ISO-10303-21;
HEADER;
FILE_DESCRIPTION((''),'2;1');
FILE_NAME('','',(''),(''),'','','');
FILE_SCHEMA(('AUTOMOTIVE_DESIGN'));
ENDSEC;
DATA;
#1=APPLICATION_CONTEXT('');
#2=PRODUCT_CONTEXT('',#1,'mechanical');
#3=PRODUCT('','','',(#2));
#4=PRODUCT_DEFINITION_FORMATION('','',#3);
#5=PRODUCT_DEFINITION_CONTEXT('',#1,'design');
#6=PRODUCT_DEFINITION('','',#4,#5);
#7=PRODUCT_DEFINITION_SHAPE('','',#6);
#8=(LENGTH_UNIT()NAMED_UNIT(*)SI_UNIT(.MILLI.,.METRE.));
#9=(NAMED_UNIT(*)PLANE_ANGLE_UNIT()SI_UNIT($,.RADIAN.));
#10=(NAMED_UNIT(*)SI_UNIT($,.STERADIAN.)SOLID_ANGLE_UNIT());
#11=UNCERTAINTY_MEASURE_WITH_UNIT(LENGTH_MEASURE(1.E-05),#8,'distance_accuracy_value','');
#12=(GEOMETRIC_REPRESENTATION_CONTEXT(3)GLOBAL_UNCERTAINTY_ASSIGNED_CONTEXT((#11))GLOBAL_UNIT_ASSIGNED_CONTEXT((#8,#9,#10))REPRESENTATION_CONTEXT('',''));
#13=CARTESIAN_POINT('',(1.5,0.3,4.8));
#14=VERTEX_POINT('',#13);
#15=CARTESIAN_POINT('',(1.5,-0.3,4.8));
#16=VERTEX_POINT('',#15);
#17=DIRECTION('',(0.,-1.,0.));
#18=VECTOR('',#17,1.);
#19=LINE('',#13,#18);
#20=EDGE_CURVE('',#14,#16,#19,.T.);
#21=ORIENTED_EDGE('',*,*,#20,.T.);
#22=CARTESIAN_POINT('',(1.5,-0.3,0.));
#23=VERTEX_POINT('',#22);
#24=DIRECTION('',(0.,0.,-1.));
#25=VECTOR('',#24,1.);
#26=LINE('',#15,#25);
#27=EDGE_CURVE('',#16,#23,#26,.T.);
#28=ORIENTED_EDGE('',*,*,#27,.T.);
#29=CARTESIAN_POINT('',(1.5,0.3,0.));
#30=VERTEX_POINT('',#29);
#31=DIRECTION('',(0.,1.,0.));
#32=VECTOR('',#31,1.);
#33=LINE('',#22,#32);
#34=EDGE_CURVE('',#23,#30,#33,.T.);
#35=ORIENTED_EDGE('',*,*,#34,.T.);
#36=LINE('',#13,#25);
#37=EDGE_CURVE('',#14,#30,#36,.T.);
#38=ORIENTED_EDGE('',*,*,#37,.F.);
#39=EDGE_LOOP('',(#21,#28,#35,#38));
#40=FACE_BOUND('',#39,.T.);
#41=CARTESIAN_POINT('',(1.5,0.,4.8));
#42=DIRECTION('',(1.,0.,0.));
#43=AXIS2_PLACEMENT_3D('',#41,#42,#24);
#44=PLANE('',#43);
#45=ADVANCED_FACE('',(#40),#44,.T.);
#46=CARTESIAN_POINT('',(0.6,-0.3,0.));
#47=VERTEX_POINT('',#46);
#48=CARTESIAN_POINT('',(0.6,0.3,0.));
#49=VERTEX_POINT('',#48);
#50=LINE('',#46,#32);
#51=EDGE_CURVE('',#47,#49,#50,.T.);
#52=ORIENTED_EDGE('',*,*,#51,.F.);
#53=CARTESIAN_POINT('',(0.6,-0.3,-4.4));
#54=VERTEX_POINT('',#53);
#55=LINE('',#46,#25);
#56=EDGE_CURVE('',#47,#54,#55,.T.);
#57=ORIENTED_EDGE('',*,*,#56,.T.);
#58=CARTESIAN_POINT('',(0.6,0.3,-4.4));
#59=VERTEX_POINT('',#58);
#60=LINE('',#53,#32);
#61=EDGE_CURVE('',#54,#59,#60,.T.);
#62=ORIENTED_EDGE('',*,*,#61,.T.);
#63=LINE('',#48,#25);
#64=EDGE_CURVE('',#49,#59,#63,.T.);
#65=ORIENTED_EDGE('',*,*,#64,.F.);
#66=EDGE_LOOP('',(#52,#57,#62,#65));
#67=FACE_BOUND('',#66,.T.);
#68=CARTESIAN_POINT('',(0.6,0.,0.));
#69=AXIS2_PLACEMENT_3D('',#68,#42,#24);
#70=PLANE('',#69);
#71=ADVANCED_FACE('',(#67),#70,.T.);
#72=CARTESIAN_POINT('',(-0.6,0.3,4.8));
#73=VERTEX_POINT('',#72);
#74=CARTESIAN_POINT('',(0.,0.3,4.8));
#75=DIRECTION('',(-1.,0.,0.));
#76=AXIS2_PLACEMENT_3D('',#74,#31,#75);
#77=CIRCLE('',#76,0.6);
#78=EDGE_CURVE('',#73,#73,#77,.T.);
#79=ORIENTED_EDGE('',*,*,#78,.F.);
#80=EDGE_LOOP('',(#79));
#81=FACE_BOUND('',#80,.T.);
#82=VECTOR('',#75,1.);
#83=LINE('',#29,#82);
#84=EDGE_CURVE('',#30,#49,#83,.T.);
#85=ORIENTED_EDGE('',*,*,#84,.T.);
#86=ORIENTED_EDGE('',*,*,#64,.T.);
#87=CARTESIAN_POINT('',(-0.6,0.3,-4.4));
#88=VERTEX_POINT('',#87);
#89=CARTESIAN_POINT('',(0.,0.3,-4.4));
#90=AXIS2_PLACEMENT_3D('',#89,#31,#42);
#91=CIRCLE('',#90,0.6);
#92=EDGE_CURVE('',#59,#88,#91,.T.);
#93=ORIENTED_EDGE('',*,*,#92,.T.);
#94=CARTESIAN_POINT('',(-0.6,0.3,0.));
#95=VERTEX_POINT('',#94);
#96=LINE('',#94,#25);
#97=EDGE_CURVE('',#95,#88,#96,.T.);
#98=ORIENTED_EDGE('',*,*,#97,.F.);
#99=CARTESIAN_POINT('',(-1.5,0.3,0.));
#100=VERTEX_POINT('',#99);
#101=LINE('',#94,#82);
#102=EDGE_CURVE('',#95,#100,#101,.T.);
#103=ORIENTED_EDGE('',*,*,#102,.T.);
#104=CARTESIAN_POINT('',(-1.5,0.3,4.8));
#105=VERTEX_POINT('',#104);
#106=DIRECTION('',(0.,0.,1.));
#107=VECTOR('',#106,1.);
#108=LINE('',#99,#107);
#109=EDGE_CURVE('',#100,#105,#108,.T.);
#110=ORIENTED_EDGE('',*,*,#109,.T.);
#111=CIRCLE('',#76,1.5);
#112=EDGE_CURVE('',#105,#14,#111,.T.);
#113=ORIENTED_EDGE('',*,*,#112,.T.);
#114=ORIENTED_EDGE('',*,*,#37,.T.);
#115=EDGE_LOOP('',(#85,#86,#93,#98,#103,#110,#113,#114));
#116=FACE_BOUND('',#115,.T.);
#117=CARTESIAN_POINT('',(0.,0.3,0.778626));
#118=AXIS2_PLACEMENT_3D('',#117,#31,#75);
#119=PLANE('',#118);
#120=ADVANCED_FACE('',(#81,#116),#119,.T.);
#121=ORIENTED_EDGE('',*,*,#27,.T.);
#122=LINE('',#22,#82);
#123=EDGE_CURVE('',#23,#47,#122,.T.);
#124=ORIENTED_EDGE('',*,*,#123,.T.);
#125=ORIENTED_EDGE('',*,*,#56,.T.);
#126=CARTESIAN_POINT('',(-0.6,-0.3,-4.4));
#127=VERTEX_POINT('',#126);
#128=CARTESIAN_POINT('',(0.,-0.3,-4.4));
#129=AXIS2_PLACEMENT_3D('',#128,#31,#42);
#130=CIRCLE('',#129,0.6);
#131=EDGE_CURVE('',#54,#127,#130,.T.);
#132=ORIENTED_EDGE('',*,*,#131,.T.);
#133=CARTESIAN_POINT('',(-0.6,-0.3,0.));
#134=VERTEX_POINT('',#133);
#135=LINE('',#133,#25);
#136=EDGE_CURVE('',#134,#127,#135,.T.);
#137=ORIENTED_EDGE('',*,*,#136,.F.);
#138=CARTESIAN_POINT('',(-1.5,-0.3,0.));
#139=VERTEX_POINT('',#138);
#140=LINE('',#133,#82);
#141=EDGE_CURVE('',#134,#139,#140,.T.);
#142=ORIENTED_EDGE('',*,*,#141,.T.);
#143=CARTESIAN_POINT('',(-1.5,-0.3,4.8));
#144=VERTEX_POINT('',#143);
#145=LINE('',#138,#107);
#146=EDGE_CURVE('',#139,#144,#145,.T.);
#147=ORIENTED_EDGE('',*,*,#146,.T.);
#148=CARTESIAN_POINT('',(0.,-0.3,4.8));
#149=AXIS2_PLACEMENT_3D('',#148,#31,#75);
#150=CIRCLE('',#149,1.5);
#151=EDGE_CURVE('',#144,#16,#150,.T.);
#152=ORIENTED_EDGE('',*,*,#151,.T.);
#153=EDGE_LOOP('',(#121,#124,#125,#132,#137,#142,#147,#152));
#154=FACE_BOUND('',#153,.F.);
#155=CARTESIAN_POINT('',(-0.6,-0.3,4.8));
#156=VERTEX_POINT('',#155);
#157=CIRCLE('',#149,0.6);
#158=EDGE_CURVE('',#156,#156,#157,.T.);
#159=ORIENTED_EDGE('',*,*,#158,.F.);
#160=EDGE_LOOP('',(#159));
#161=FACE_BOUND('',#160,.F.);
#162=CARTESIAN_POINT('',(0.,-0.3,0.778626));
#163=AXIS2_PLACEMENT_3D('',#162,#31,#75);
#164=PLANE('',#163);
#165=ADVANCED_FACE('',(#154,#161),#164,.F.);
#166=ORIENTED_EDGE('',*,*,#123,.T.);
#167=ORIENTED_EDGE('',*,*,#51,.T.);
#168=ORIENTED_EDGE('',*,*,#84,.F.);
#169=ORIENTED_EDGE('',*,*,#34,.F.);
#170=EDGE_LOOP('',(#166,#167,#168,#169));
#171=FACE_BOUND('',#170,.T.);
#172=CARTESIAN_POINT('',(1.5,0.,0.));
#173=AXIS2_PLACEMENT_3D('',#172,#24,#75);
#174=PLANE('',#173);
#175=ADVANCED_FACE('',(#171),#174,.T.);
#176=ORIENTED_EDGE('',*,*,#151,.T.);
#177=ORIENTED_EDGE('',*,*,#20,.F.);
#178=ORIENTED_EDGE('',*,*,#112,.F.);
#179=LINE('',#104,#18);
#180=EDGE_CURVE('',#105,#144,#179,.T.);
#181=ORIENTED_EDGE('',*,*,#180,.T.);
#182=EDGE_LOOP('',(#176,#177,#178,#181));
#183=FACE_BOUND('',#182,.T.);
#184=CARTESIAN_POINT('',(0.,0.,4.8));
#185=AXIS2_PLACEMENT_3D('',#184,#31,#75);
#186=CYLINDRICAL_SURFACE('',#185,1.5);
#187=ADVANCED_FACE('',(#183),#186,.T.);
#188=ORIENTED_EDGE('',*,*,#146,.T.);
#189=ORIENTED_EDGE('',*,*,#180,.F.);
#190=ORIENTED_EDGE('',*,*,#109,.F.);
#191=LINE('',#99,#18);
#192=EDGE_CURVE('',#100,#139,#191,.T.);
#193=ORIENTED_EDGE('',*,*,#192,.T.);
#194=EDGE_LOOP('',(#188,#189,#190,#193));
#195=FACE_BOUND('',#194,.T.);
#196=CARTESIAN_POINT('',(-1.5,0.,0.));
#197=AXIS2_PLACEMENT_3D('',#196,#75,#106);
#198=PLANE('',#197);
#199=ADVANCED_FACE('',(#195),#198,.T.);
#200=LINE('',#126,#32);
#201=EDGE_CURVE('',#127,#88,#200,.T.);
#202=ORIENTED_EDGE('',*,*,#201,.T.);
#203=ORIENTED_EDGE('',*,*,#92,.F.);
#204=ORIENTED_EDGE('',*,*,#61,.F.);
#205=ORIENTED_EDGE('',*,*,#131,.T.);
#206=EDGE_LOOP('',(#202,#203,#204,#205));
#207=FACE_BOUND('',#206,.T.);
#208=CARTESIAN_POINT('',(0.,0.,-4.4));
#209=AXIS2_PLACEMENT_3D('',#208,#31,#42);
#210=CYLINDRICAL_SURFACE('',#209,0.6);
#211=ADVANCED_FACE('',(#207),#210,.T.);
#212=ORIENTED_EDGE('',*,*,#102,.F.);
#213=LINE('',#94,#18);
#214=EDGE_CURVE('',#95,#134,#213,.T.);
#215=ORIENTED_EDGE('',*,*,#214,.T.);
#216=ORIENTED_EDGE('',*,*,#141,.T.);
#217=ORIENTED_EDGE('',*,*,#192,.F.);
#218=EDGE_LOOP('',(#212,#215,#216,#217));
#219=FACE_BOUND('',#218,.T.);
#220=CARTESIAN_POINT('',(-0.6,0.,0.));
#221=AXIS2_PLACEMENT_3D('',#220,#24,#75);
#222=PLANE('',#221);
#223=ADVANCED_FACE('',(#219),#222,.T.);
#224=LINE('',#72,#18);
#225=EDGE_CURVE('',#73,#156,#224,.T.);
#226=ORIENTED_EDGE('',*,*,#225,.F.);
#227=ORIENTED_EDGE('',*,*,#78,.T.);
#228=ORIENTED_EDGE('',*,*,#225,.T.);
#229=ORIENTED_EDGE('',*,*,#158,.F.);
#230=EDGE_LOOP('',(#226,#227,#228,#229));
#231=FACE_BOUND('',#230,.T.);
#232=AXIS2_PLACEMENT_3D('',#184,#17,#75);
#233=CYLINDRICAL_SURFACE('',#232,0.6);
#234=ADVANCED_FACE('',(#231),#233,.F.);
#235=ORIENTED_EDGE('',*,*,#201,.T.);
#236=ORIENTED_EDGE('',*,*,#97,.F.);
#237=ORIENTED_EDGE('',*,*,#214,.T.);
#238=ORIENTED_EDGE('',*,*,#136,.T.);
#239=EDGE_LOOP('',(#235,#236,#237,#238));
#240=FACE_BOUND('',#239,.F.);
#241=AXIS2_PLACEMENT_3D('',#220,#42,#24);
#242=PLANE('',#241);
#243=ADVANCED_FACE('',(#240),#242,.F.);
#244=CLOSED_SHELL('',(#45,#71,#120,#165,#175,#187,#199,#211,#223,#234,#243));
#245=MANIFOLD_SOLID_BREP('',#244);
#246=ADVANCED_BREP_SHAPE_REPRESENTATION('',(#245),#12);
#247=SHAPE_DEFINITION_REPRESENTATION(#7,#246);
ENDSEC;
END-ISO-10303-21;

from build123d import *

# Parameters (mm, degrees)
SKETCH_R  = 0.6
PAD_DEPTH = 0.3


with BuildPart() as part:
    # Sketch → Pad (new body, symmetric)
    with BuildSketch(Plane(origin=(0, 0, 0), x_dir=(-1, 0, 0), z_dir=(0, 1, 0))):
        with BuildLine():
            Line((-1.5, 4.8), (-1.5, 0))
            Line((-1.5, 0), (-0.6, 0))
            Line((-0.6, 0), (-0.6, -4.4))
            ThreePointArc((-0.6, -4.4), (0, -5), (0.6, -4.4))
            Line((0.6, 0), (0.6, -4.4))
            Line((0.6, 0), (1.5, 0))
            Line((1.5, 0), (1.5, 4.8))
            ThreePointArc((1.5, 4.8), (0, 6.3), (-1.5, 4.8))
        make_face()
        with Locations((0, 4.8)):
            Circle(SKETCH_R, mode=Mode.SUBTRACT)
    extrude(amount=PAD_DEPTH, both=True)


solid = part.part
